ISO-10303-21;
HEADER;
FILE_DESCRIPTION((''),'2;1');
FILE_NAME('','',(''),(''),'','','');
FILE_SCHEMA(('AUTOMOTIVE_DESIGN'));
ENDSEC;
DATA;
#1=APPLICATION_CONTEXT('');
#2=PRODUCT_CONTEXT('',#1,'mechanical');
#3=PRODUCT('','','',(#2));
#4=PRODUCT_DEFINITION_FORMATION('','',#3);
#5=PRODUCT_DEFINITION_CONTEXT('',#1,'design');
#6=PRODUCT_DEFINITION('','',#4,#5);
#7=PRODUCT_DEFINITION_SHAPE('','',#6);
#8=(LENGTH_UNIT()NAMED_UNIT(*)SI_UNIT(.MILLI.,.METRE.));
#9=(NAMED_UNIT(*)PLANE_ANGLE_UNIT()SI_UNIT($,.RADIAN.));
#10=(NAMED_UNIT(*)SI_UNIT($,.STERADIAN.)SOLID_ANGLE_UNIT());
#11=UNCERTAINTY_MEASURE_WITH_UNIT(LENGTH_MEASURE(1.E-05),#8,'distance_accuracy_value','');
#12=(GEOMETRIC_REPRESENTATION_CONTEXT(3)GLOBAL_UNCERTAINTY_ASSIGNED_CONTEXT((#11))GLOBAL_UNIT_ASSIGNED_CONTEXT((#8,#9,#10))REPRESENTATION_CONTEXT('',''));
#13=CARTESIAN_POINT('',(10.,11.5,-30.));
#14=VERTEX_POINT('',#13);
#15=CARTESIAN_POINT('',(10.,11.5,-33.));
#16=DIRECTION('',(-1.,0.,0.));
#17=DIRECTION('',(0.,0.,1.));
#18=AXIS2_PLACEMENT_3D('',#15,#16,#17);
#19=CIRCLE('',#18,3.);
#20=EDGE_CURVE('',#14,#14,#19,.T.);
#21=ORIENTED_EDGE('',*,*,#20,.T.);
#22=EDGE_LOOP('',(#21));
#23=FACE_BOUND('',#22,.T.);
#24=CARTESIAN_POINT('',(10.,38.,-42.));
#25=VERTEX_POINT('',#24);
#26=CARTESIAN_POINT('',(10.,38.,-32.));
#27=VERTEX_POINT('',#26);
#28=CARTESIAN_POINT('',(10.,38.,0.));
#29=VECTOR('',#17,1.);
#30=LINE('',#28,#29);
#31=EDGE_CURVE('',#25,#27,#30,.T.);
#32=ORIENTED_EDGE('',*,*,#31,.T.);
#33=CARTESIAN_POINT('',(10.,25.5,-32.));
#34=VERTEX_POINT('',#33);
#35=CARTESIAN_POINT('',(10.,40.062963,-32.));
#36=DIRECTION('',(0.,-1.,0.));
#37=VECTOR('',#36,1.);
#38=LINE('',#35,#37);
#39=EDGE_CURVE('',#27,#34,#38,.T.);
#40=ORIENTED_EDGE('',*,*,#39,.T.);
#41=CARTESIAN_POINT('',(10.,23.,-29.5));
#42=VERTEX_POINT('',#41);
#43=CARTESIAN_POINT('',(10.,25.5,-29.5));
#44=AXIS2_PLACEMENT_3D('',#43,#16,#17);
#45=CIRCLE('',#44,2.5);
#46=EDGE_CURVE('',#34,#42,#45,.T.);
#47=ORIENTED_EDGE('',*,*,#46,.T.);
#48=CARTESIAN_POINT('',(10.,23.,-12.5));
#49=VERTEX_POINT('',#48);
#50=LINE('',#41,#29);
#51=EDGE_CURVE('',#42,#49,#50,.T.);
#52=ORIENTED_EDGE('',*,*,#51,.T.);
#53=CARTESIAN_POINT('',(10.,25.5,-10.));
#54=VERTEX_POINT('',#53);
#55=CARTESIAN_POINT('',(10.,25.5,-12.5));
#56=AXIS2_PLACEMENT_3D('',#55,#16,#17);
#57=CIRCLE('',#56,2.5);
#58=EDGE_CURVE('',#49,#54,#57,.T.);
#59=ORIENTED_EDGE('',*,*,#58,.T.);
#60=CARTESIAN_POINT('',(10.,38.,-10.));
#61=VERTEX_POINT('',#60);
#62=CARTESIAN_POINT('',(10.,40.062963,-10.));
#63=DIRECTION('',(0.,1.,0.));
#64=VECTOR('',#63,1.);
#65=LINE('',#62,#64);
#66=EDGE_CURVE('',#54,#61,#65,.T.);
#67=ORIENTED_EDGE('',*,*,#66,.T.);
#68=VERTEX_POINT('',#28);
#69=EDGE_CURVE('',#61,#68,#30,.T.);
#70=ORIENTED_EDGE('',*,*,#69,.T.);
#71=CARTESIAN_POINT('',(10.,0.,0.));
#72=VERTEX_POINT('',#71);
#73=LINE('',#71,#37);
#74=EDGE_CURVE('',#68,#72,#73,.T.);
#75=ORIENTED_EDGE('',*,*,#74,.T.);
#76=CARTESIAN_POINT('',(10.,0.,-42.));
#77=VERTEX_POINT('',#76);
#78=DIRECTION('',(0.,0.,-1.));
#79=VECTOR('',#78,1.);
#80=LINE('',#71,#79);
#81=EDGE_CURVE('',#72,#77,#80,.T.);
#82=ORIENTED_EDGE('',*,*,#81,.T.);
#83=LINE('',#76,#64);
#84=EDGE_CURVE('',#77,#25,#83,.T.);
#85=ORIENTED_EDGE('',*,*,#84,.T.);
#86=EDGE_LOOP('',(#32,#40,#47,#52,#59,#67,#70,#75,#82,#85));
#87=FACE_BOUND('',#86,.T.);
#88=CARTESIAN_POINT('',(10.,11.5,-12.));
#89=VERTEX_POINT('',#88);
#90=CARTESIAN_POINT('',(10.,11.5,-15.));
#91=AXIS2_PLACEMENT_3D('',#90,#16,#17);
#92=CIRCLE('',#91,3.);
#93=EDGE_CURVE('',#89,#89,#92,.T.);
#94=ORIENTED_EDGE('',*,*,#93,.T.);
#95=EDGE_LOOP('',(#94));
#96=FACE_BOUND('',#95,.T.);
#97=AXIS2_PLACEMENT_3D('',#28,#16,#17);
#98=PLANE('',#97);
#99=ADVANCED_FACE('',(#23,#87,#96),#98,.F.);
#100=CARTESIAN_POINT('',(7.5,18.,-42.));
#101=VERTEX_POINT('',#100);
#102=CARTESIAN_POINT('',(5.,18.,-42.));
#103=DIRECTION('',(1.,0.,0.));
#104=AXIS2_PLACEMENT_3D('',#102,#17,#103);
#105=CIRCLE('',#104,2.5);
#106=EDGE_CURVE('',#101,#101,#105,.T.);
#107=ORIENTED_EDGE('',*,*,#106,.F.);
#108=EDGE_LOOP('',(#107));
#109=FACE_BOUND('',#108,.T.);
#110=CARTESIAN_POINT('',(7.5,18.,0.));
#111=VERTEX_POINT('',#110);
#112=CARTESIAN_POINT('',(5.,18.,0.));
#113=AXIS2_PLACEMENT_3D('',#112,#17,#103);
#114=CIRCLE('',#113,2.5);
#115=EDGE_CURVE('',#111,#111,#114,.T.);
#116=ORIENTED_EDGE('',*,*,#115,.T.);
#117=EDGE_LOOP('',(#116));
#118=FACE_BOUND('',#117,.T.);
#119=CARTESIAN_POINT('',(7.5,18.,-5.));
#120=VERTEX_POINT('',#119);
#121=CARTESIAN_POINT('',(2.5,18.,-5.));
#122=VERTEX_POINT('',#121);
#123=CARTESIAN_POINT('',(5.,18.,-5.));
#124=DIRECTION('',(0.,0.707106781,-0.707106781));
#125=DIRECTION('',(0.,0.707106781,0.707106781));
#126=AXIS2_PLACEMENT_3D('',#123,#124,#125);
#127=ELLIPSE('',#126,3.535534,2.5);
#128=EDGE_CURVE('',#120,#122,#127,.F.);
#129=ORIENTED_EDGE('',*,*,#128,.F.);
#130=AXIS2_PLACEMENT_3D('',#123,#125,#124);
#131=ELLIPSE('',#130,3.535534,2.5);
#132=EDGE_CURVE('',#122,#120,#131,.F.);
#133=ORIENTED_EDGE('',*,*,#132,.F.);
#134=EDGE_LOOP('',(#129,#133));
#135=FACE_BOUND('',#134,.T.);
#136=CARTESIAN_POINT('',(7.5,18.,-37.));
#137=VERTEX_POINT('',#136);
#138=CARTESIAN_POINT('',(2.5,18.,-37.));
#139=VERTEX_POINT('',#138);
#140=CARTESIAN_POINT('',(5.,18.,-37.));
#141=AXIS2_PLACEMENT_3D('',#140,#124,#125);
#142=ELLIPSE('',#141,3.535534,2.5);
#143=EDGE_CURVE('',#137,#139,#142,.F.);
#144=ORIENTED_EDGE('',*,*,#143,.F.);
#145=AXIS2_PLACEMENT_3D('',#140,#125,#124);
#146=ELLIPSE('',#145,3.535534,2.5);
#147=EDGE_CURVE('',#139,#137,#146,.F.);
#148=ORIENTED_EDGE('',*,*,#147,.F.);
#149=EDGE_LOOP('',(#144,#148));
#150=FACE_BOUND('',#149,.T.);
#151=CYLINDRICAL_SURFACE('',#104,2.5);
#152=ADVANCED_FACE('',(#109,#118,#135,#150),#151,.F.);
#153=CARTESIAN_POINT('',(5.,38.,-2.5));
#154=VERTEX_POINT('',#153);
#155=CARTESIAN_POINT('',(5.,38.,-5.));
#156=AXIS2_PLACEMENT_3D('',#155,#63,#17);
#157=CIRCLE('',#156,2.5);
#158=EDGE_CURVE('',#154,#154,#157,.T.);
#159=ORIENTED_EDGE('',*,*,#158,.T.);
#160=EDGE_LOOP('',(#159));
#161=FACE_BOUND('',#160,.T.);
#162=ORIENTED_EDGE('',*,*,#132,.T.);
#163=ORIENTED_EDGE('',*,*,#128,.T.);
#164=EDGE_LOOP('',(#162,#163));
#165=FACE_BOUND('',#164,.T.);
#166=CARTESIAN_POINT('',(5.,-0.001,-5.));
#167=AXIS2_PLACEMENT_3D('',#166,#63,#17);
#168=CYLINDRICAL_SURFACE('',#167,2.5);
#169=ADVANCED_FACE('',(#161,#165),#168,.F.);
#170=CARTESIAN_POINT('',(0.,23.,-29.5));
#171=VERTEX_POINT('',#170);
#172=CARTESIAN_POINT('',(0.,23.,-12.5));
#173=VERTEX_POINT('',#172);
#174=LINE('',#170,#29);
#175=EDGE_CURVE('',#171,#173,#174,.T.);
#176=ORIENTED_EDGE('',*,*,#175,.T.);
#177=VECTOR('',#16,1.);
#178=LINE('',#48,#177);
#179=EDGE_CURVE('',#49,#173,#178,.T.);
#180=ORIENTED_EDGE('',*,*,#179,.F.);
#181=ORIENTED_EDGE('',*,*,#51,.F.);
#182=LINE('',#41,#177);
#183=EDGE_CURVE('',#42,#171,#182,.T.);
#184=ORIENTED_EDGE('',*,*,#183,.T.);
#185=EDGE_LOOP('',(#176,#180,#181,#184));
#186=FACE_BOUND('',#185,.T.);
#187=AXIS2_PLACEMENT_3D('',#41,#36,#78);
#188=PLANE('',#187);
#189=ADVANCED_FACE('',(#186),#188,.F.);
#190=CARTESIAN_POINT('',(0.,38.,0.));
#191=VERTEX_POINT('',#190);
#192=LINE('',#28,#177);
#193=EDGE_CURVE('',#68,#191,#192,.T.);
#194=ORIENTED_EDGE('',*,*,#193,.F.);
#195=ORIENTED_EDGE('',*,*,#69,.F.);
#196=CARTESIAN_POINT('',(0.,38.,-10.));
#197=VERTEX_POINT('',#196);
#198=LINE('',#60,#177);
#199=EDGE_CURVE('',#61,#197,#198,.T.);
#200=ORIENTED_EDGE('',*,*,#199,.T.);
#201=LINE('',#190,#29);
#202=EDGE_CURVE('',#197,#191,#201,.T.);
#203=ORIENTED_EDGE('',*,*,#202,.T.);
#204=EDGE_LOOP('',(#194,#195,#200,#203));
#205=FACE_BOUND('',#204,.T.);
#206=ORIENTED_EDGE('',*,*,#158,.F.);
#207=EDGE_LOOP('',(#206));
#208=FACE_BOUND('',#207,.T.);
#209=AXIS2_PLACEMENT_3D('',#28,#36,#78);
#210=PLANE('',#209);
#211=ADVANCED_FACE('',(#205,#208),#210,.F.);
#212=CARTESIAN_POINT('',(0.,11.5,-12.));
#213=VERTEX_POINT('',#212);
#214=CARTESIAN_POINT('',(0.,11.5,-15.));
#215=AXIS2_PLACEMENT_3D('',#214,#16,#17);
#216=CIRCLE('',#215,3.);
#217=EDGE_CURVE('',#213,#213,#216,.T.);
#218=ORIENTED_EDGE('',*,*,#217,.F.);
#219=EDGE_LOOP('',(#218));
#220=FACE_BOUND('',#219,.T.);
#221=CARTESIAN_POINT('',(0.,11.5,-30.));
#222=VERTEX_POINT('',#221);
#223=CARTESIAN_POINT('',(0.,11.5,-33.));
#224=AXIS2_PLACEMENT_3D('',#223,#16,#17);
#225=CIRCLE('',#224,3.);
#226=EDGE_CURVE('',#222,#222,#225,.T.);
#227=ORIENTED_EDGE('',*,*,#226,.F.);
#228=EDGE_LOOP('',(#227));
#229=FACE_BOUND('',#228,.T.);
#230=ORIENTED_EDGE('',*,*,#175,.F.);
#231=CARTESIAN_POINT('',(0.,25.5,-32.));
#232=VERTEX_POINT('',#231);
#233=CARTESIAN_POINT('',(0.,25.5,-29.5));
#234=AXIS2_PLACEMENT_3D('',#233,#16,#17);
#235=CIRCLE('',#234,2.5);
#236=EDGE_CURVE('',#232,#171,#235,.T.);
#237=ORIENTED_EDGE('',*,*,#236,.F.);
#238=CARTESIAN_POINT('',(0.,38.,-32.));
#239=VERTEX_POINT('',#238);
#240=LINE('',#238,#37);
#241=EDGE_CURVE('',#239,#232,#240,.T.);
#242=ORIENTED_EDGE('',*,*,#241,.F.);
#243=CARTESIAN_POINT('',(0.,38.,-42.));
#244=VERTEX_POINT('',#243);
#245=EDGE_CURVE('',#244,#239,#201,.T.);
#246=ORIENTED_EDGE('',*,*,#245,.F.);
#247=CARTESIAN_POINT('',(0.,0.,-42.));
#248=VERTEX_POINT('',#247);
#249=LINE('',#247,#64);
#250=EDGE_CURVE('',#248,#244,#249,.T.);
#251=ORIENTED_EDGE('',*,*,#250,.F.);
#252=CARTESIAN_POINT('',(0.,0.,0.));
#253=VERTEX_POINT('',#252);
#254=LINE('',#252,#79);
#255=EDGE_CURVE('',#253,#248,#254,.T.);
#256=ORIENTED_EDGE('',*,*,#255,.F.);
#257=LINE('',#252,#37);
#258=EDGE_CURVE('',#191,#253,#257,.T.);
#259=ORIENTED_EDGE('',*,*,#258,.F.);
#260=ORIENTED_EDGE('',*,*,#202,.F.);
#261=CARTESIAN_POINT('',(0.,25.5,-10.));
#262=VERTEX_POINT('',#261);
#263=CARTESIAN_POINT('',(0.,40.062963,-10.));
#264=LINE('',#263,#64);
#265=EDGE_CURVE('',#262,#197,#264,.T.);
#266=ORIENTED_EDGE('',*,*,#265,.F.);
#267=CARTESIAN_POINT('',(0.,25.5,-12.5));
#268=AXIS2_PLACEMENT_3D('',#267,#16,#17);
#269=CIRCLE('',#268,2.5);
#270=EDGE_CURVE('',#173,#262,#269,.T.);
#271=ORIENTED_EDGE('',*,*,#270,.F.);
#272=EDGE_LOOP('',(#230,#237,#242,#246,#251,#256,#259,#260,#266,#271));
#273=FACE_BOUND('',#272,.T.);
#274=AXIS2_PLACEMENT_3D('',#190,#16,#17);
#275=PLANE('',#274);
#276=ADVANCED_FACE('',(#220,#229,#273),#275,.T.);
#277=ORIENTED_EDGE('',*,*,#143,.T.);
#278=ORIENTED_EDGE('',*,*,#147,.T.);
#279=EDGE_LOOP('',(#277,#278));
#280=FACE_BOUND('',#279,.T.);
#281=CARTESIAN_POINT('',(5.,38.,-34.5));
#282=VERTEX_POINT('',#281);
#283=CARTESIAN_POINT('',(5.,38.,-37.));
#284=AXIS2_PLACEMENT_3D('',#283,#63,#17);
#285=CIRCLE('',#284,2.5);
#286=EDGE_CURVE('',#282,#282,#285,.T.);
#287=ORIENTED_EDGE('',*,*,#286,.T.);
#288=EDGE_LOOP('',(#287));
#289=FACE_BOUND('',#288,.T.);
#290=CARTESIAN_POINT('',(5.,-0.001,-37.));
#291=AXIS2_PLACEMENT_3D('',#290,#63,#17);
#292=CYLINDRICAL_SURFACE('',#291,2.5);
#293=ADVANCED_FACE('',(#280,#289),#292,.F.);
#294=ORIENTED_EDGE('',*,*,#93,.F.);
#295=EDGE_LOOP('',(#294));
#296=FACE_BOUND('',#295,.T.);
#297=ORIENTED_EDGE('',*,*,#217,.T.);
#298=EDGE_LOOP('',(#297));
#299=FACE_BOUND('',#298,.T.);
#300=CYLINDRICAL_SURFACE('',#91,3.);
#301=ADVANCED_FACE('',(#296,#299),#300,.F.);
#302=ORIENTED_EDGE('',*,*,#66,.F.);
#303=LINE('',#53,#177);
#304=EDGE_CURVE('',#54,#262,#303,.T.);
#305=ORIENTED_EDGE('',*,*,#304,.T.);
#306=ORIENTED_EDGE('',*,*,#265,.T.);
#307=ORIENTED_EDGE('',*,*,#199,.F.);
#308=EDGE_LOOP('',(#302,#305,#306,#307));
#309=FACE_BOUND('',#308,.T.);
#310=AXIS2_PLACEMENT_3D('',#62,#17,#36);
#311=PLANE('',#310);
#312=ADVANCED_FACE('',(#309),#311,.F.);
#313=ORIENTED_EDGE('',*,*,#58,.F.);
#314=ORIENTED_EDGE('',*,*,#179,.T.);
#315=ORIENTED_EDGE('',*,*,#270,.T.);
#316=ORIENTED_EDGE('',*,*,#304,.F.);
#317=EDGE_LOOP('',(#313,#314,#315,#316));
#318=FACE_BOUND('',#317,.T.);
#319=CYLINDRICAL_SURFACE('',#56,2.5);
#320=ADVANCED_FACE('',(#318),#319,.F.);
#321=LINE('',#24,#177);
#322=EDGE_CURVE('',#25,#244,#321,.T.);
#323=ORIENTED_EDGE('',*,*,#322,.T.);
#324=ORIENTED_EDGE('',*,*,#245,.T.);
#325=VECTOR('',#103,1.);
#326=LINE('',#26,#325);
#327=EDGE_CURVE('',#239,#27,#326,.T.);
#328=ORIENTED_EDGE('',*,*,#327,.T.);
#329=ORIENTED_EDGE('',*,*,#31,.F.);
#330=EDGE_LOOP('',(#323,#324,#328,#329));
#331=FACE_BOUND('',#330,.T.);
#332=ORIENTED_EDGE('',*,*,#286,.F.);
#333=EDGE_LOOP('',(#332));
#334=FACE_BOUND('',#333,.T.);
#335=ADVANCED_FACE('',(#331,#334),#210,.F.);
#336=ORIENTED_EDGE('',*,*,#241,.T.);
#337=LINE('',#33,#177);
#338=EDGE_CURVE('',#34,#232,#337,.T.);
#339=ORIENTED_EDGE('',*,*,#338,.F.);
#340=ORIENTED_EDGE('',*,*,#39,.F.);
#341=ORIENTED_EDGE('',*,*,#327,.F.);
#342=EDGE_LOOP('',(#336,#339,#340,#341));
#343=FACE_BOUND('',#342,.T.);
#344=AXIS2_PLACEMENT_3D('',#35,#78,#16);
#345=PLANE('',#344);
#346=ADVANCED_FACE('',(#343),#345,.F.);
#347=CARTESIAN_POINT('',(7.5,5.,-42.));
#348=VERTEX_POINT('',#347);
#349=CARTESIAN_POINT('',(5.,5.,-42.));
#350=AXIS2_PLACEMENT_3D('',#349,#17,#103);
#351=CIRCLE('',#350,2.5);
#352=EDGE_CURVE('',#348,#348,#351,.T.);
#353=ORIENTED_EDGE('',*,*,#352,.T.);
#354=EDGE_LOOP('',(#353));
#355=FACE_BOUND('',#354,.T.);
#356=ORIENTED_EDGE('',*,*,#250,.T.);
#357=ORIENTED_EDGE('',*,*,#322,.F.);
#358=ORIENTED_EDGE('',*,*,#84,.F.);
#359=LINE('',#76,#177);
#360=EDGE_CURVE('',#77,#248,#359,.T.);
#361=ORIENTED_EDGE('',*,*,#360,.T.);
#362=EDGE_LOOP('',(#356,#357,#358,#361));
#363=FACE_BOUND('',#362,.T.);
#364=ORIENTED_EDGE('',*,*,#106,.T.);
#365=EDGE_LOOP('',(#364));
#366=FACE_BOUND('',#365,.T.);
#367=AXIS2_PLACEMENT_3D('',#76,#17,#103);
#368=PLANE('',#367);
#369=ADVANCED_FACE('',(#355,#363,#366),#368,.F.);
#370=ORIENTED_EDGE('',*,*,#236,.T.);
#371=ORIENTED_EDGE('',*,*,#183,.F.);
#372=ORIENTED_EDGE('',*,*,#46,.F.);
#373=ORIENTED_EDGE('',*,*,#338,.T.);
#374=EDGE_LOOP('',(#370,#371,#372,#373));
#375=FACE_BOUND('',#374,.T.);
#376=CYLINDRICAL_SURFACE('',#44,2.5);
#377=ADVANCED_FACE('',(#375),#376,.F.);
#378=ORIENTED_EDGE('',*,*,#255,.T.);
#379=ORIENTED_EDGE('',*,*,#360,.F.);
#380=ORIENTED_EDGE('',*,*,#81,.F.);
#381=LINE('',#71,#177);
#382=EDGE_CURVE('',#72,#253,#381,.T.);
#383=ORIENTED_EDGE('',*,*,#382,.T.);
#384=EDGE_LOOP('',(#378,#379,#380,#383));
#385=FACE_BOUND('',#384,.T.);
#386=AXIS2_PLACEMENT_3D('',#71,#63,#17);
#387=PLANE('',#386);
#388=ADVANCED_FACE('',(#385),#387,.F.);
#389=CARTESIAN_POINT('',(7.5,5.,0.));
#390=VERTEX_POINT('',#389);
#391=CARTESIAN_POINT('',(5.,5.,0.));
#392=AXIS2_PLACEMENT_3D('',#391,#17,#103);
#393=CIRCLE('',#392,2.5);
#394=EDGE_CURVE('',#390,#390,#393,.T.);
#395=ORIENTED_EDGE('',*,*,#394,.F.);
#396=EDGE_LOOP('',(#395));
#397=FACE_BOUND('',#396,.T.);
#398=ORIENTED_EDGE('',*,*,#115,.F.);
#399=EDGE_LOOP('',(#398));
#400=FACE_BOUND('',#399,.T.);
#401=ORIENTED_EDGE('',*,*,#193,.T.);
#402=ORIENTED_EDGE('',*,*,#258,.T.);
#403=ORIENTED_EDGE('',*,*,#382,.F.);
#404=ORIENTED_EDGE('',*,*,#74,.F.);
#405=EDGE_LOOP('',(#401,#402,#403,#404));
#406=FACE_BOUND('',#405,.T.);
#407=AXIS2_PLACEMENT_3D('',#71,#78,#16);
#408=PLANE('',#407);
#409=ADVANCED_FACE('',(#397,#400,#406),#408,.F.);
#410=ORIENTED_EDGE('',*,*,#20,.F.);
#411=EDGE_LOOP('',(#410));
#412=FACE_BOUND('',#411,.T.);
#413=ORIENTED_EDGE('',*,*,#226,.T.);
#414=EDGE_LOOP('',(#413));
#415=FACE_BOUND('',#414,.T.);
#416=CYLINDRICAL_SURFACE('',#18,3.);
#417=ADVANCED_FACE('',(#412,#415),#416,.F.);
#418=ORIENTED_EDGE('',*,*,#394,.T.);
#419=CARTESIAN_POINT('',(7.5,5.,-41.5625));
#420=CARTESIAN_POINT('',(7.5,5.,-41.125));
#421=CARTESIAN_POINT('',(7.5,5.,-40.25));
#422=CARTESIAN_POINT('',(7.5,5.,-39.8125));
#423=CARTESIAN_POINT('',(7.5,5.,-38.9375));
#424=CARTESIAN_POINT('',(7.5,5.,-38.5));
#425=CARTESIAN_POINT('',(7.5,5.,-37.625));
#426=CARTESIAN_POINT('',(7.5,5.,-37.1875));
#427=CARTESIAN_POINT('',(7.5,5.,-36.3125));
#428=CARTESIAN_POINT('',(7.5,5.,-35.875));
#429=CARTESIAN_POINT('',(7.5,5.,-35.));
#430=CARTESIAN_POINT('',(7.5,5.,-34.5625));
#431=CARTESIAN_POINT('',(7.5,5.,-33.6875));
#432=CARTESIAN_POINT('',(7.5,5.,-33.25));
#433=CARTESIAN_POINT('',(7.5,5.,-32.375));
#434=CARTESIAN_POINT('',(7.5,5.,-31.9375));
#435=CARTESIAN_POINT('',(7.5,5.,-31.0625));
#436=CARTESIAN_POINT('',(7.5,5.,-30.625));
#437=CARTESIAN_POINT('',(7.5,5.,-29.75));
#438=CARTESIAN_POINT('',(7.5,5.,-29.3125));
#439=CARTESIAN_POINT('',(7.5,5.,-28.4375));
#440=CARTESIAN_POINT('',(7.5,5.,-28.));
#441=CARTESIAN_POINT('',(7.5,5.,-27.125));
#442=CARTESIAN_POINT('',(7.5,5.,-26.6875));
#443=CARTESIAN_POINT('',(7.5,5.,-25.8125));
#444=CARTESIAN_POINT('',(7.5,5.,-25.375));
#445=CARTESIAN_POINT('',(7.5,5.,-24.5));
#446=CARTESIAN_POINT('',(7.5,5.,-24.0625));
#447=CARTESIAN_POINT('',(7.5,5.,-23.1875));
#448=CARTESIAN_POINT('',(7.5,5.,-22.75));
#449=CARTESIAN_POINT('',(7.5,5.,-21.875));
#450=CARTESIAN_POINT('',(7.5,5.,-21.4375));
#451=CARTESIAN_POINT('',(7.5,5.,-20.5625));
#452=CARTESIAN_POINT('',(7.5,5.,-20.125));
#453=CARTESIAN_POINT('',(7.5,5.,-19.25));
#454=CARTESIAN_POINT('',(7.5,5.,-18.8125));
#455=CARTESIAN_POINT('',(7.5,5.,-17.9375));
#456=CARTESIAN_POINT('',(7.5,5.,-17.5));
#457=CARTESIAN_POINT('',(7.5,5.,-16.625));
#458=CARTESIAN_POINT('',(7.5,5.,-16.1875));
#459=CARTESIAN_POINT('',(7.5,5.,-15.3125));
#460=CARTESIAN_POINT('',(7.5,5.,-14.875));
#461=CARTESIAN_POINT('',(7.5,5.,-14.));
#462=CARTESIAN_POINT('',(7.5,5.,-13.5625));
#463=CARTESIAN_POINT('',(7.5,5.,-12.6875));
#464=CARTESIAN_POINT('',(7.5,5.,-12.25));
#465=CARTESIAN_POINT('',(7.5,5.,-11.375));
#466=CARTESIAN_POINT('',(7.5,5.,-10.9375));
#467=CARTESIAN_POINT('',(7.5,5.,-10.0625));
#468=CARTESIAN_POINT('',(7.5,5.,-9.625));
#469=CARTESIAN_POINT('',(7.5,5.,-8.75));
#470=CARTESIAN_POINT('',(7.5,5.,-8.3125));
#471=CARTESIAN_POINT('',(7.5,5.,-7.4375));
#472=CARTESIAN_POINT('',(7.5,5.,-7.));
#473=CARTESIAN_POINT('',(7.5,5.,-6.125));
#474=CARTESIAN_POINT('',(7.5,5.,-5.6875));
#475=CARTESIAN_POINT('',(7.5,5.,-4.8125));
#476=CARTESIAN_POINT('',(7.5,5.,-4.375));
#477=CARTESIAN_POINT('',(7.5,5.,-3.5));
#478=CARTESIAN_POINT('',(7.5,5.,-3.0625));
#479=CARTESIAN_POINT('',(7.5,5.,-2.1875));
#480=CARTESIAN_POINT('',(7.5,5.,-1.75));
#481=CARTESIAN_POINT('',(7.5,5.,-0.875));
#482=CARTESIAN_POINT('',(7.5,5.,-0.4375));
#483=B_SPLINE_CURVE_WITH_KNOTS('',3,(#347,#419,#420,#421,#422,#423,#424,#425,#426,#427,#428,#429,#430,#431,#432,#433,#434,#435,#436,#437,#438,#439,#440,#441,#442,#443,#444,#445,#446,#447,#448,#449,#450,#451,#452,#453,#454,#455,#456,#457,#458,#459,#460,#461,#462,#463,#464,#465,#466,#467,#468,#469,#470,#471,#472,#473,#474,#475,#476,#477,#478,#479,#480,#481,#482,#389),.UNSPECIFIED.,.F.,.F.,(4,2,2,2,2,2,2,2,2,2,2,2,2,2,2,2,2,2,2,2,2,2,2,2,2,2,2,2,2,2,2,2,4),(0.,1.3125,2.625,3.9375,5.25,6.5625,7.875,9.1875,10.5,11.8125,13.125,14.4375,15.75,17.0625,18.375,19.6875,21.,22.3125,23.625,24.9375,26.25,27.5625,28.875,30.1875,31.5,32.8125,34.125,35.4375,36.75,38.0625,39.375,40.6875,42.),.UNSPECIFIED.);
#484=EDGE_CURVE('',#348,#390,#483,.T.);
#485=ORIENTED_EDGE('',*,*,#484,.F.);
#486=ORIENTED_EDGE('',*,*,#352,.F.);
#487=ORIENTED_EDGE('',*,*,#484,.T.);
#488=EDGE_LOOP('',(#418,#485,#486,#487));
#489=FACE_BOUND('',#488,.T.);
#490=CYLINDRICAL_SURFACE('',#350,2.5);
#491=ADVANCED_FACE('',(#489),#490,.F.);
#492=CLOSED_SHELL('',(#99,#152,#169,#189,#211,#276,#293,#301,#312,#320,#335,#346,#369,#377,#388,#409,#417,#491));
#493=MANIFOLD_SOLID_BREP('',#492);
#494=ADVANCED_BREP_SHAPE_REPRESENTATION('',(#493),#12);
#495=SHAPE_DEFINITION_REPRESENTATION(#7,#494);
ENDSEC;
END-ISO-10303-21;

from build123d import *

# Parameters (mm, degrees)
ESQUISSE1_W           = 42
ESQUISSE1_H           = 38
EXTRUSION1_DEPTH      = 10
ESQUISSE2_R           = 2.5
EXTRUSION3_DEPTH      = 58.515215378
EXTRUSION4_REACH      = 59.515
EXTRUSION4_END_RADIUS = 2.5
ESQUISSE4_R           = 2.5
EXTRUSION5_DEPTH      = 58.515215378
ESQUISSE6_R           = 3
EXTRUSION6_DEPTH      = 58.515215378


with BuildPart() as part:
    # Esquisse1 → Extrusion1 (new body)
    with BuildSketch(Plane(origin=(0, 0, 0), x_dir=(0, 0, -1), z_dir=(1, 0, 0))):
        with Locations((21, 19)):
            Rectangle(ESQUISSE1_W, ESQUISSE1_H)
    extrude(amount=EXTRUSION1_DEPTH)

    # Esquisse2 → Extrusion3 (cut, through all)
    with BuildSketch(Plane.XY):
        with Locations((5, 5)):
            Circle(ESQUISSE2_R)
        with Locations((5, 18)):
            Circle(ESQUISSE2_R)
    extrude(amount=-EXTRUSION3_DEPTH, mode=Mode.SUBTRACT)

    # Extrusion4: up to this cylinder (the profile starts outside it)
    extrusion4_end = Plane(origin=(5, 18, -21), z_dir=(0, 0, 1)) * Cylinder(EXTRUSION4_END_RADIUS, 157.03, mode=Mode.PRIVATE)
    # Esquisse4 → Extrusion4 (cut, up to the surface)
    with BuildSketch(Plane(origin=(0, 38, 0), x_dir=(1, 0, 0), z_dir=(0, 1, 0)), mode=Mode.PRIVATE) as extrusion4_sk1:
        with Locations(Location((5, 5, 0), (0, 0, 270))):
            Circle(ESQUISSE4_R)
    extrusion4_tool1 = extrude(extrusion4_sk1.sketch, amount=-EXTRUSION4_REACH, mode=Mode.PRIVATE) - extrusion4_end
    add(extrusion4_tool1.solids().sort_by_distance((5, 38, -5))[0], mode=Mode.SUBTRACT)
    # Esquisse4 → Extrusion4 (cut, up to the surface)
    with BuildSketch(Plane(origin=(0, 38, 0), x_dir=(1, 0, 0), z_dir=(0, 1, 0)), mode=Mode.PRIVATE) as extrusion4_sk2:
        with Locations(Location((5, 37, 0), (0, 0, 270))):
            Circle(ESQUISSE4_R)
    extrusion4_tool2 = extrude(extrusion4_sk2.sketch, amount=-EXTRUSION4_REACH, mode=Mode.PRIVATE) - extrusion4_end
    add(extrusion4_tool2.solids().sort_by_distance((5, 38, -37))[0], mode=Mode.SUBTRACT)

    # Esquisse5 → Extrusion5 (cut, through all)
    with BuildSketch(Plane.ZY):
        with BuildLine():
            Line((-32, 40.062963014), (-10, 40.062963014))
            Line((-10, 40.062963014), (-10, 25.5))
            ThreePointArc((-10, 25.5), (-10.732233047, 23.732233047), (-12.5, 23))
            Line((-12.5, 23), (-29.5, 23))
            ThreePointArc((-29.5, 23), (-31.267766953, 23.732233047), (-32, 25.5))
            Line((-32, 25.5), (-32, 40.062963014))
        make_face()
    extrude(amount=-EXTRUSION5_DEPTH, mode=Mode.SUBTRACT)

    # Esquisse6 → Extrusion6 (cut, through all)
    with BuildSketch(Plane.ZY):
        with Locations((-33, 11.5)):
            Circle(ESQUISSE6_R)
        with Locations((-15, 11.5)):
            Circle(ESQUISSE6_R)
    extrude(amount=-EXTRUSION6_DEPTH, mode=Mode.SUBTRACT)


solid = part.part
